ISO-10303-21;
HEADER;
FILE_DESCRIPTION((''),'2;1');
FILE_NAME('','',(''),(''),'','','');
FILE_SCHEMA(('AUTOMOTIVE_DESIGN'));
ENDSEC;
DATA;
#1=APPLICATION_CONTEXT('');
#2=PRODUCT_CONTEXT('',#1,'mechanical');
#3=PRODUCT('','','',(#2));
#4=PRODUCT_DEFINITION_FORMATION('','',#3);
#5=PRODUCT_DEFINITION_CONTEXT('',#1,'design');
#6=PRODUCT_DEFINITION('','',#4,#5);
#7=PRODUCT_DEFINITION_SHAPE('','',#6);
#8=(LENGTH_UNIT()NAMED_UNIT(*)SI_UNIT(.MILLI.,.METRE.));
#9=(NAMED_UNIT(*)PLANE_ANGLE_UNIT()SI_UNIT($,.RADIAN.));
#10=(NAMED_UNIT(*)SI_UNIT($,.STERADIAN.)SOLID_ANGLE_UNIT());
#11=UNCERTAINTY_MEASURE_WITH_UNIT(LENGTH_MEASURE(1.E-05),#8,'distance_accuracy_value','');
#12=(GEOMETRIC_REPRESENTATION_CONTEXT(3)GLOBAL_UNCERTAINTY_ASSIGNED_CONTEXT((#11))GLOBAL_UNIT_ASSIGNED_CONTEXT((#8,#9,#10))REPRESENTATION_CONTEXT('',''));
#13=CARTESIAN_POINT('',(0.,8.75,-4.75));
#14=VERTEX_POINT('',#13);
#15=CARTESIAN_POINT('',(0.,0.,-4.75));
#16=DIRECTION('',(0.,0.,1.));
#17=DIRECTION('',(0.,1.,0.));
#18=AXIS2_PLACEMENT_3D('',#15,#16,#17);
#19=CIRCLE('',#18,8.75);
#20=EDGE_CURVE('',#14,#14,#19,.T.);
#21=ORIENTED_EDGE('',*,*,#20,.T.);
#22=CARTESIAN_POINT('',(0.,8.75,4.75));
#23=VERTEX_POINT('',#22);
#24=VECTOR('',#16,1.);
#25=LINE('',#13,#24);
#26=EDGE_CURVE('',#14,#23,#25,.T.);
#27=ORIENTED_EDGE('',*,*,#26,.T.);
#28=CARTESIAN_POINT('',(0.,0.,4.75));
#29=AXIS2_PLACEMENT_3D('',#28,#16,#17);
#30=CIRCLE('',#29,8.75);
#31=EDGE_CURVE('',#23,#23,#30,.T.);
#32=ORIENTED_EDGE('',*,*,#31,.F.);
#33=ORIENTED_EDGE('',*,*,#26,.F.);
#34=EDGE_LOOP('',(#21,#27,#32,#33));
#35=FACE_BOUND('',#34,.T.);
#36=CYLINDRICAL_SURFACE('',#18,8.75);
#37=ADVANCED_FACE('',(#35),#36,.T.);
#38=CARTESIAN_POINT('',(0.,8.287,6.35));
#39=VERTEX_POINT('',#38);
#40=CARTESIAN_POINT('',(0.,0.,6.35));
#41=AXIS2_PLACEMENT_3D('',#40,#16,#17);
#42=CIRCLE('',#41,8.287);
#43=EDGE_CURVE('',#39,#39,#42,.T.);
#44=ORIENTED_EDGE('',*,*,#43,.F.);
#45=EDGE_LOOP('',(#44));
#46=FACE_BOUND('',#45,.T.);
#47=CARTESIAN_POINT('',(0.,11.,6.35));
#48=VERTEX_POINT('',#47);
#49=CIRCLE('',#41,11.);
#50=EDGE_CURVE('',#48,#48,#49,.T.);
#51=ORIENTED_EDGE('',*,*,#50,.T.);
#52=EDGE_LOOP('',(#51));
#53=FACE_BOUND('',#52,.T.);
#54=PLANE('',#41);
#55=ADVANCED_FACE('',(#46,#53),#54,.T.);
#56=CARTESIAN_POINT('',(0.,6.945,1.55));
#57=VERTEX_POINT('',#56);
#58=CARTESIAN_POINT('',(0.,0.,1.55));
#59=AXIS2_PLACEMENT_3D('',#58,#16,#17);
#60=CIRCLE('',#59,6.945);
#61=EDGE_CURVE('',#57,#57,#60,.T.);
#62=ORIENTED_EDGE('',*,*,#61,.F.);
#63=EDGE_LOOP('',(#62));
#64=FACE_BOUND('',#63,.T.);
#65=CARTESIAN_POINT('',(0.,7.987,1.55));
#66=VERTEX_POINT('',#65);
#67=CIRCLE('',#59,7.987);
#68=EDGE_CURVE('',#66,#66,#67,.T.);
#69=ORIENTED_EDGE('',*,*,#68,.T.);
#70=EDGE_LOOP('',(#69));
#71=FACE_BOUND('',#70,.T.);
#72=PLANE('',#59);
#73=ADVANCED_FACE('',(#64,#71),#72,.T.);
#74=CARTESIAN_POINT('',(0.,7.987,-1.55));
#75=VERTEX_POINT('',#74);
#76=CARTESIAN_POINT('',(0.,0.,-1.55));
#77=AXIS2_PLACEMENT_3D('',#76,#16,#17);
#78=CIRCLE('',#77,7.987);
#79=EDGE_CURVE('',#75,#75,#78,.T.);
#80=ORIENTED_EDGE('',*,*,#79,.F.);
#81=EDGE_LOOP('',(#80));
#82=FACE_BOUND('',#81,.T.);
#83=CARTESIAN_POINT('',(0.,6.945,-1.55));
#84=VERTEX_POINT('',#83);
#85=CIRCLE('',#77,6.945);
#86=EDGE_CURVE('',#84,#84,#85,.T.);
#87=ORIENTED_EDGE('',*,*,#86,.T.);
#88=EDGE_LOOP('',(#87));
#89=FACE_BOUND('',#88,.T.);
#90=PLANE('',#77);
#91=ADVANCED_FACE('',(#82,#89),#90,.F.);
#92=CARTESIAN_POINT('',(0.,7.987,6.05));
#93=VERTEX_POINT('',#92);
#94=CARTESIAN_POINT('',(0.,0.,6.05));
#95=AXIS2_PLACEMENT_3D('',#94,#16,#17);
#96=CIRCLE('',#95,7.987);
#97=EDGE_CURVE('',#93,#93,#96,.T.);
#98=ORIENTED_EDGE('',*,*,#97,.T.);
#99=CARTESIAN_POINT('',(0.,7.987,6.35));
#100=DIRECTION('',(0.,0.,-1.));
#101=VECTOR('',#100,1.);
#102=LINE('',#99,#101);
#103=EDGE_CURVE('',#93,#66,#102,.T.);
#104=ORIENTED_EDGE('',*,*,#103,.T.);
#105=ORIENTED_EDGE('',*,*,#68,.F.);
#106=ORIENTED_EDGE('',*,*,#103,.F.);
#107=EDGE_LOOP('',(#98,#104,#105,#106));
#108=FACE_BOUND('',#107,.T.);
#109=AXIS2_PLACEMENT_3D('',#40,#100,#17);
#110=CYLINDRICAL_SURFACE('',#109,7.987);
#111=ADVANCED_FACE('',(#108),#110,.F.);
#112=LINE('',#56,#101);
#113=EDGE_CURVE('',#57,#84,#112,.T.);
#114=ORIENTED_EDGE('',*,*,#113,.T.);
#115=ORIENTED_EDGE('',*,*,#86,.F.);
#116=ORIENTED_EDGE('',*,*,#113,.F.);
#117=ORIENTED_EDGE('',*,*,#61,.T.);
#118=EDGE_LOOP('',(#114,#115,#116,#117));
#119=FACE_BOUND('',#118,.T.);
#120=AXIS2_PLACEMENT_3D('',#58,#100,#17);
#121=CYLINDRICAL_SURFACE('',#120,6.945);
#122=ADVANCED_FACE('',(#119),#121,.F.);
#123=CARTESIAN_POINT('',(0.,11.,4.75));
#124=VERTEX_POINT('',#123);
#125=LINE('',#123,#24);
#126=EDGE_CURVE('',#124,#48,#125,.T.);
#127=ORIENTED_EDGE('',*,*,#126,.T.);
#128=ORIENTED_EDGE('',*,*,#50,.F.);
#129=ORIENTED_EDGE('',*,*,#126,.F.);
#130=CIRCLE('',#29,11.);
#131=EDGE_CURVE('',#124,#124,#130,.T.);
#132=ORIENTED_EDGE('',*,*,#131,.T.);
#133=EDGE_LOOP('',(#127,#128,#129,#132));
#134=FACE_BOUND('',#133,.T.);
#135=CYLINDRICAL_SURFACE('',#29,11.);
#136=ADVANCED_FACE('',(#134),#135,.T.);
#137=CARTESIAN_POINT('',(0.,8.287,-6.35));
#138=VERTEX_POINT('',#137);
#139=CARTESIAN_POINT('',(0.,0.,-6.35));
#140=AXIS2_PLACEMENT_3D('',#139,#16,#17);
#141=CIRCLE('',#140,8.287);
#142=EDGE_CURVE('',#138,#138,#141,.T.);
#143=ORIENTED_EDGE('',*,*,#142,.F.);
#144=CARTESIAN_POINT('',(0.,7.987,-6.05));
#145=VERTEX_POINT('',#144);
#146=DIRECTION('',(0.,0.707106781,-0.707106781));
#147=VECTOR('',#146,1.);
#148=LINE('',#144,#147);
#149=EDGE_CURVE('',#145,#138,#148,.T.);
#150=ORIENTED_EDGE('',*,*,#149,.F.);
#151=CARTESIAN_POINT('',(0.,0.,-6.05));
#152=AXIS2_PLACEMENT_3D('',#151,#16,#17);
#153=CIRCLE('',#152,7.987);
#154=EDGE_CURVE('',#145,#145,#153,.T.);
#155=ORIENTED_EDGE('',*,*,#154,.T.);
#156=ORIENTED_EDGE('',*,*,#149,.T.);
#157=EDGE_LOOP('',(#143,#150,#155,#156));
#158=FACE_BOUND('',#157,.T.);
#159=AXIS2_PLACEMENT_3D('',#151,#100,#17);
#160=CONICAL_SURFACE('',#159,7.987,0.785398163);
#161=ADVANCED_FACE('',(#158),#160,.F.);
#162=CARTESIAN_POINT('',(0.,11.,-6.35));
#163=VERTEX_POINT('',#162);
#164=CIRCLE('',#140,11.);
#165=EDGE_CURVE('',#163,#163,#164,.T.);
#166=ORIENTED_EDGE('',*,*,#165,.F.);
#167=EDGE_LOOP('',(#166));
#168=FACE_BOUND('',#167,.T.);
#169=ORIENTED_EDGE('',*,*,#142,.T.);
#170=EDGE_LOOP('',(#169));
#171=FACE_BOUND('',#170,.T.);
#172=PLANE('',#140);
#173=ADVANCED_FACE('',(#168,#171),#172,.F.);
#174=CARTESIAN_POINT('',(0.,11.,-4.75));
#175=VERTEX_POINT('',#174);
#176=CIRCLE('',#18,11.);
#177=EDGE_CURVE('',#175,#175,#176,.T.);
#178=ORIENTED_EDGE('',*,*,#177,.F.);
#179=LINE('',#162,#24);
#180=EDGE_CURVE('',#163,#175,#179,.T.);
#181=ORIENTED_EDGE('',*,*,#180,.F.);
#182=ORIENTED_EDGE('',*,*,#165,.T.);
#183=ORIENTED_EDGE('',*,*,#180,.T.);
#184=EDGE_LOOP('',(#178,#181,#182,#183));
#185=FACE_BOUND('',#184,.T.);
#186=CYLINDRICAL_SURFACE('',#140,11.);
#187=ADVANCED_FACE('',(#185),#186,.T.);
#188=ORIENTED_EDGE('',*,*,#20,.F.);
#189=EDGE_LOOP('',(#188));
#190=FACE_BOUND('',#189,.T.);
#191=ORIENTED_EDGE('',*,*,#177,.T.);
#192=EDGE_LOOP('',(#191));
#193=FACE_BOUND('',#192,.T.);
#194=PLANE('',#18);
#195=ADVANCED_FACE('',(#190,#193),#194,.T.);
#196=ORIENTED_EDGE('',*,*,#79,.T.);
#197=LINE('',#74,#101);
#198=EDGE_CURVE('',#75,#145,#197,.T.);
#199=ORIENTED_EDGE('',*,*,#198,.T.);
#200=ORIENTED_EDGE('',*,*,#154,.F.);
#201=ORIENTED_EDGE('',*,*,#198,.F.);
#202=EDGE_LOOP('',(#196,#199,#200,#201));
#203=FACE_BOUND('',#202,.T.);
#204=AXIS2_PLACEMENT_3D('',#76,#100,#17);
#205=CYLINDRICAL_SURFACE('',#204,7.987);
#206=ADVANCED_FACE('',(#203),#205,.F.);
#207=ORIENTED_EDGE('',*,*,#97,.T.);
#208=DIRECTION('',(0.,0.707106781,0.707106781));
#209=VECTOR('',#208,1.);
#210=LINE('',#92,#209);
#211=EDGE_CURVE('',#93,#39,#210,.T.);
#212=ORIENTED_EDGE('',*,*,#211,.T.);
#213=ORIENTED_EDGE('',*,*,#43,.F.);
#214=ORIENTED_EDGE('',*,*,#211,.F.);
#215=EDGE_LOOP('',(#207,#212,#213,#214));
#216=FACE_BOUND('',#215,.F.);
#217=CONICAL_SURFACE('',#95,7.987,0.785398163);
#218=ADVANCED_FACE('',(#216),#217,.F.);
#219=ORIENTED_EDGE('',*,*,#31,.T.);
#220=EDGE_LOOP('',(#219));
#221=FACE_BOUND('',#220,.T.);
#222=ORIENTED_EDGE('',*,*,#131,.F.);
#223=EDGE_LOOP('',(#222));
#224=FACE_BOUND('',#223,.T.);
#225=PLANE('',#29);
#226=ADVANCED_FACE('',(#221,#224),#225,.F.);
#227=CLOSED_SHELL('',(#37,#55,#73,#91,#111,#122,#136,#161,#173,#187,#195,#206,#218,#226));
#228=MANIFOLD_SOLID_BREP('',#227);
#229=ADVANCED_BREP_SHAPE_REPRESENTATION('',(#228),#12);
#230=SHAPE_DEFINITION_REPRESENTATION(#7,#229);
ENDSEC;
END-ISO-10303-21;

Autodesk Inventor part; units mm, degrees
ref_plane "YZ Plane" through (0, 0, 0) normal (1, 0, 0) x (0, 1, 0)
ref_plane "XZ Plane" through (0, 0, 0) normal (0, 1, 0) x (-1, 0, 0)
ref_plane "XY Plane" through (0, 0, 0) normal (0, 0, 1) x (1, 0, 0)
sketch "Sketch1" plane through (0, 0, 0) normal (1, 0, 0) x (0, 1, 0)
  line L0 (7.987, -6.35) -> (11, -6.35)
  line L1 (11, -6.35) -> (11, -4.75)
  line L2 (11, -4.75) -> (8.75, -4.75)
  line L3 (8.75, -4.75) -> (8.75, 4.75)
  line L4 (8.75, 4.75) -> (11, 4.75)
  line L5 (11, 4.75) -> (11, 6.35)
  line L6 (11, 6.35) -> (7.987, 6.35)
  line L7 (7.987, 6.35) -> (7.987, 1.55)
  line L8 (7.987, 1.55) -> (6.945, 1.55)
  line L9 (6.945, 1.55) -> (6.945, -1.55)
  line L10 (6.945, -1.55) -> (7.987, -1.55)
  line L11 (7.987, -1.55) -> (7.987, -6.35)
  line L12 (0, 0) -> (0, 23.3621) construction
  line L13 (6.945, 0) -> (8.75, 0) construction
  dimension "d0" = 9.5
  dimension "d1" = 15.974
  dimension "d2" = 13.89
  dimension "d3" = 3.1
  dimension "d4" = 12.7
  dimension "d5" = 17.5
  dimension "d6" = 22
revolve "Revolution1" add sketch "Sketch1" angle 360 about axis through (0, 0, 0) along (0, 0, 1)
chamfer "Chamfer1" distance 0.3 angle 45 2 edges at (0, -7.987, 6.35) (0, -7.987, -6.35)
properties part number "idler pulley"
